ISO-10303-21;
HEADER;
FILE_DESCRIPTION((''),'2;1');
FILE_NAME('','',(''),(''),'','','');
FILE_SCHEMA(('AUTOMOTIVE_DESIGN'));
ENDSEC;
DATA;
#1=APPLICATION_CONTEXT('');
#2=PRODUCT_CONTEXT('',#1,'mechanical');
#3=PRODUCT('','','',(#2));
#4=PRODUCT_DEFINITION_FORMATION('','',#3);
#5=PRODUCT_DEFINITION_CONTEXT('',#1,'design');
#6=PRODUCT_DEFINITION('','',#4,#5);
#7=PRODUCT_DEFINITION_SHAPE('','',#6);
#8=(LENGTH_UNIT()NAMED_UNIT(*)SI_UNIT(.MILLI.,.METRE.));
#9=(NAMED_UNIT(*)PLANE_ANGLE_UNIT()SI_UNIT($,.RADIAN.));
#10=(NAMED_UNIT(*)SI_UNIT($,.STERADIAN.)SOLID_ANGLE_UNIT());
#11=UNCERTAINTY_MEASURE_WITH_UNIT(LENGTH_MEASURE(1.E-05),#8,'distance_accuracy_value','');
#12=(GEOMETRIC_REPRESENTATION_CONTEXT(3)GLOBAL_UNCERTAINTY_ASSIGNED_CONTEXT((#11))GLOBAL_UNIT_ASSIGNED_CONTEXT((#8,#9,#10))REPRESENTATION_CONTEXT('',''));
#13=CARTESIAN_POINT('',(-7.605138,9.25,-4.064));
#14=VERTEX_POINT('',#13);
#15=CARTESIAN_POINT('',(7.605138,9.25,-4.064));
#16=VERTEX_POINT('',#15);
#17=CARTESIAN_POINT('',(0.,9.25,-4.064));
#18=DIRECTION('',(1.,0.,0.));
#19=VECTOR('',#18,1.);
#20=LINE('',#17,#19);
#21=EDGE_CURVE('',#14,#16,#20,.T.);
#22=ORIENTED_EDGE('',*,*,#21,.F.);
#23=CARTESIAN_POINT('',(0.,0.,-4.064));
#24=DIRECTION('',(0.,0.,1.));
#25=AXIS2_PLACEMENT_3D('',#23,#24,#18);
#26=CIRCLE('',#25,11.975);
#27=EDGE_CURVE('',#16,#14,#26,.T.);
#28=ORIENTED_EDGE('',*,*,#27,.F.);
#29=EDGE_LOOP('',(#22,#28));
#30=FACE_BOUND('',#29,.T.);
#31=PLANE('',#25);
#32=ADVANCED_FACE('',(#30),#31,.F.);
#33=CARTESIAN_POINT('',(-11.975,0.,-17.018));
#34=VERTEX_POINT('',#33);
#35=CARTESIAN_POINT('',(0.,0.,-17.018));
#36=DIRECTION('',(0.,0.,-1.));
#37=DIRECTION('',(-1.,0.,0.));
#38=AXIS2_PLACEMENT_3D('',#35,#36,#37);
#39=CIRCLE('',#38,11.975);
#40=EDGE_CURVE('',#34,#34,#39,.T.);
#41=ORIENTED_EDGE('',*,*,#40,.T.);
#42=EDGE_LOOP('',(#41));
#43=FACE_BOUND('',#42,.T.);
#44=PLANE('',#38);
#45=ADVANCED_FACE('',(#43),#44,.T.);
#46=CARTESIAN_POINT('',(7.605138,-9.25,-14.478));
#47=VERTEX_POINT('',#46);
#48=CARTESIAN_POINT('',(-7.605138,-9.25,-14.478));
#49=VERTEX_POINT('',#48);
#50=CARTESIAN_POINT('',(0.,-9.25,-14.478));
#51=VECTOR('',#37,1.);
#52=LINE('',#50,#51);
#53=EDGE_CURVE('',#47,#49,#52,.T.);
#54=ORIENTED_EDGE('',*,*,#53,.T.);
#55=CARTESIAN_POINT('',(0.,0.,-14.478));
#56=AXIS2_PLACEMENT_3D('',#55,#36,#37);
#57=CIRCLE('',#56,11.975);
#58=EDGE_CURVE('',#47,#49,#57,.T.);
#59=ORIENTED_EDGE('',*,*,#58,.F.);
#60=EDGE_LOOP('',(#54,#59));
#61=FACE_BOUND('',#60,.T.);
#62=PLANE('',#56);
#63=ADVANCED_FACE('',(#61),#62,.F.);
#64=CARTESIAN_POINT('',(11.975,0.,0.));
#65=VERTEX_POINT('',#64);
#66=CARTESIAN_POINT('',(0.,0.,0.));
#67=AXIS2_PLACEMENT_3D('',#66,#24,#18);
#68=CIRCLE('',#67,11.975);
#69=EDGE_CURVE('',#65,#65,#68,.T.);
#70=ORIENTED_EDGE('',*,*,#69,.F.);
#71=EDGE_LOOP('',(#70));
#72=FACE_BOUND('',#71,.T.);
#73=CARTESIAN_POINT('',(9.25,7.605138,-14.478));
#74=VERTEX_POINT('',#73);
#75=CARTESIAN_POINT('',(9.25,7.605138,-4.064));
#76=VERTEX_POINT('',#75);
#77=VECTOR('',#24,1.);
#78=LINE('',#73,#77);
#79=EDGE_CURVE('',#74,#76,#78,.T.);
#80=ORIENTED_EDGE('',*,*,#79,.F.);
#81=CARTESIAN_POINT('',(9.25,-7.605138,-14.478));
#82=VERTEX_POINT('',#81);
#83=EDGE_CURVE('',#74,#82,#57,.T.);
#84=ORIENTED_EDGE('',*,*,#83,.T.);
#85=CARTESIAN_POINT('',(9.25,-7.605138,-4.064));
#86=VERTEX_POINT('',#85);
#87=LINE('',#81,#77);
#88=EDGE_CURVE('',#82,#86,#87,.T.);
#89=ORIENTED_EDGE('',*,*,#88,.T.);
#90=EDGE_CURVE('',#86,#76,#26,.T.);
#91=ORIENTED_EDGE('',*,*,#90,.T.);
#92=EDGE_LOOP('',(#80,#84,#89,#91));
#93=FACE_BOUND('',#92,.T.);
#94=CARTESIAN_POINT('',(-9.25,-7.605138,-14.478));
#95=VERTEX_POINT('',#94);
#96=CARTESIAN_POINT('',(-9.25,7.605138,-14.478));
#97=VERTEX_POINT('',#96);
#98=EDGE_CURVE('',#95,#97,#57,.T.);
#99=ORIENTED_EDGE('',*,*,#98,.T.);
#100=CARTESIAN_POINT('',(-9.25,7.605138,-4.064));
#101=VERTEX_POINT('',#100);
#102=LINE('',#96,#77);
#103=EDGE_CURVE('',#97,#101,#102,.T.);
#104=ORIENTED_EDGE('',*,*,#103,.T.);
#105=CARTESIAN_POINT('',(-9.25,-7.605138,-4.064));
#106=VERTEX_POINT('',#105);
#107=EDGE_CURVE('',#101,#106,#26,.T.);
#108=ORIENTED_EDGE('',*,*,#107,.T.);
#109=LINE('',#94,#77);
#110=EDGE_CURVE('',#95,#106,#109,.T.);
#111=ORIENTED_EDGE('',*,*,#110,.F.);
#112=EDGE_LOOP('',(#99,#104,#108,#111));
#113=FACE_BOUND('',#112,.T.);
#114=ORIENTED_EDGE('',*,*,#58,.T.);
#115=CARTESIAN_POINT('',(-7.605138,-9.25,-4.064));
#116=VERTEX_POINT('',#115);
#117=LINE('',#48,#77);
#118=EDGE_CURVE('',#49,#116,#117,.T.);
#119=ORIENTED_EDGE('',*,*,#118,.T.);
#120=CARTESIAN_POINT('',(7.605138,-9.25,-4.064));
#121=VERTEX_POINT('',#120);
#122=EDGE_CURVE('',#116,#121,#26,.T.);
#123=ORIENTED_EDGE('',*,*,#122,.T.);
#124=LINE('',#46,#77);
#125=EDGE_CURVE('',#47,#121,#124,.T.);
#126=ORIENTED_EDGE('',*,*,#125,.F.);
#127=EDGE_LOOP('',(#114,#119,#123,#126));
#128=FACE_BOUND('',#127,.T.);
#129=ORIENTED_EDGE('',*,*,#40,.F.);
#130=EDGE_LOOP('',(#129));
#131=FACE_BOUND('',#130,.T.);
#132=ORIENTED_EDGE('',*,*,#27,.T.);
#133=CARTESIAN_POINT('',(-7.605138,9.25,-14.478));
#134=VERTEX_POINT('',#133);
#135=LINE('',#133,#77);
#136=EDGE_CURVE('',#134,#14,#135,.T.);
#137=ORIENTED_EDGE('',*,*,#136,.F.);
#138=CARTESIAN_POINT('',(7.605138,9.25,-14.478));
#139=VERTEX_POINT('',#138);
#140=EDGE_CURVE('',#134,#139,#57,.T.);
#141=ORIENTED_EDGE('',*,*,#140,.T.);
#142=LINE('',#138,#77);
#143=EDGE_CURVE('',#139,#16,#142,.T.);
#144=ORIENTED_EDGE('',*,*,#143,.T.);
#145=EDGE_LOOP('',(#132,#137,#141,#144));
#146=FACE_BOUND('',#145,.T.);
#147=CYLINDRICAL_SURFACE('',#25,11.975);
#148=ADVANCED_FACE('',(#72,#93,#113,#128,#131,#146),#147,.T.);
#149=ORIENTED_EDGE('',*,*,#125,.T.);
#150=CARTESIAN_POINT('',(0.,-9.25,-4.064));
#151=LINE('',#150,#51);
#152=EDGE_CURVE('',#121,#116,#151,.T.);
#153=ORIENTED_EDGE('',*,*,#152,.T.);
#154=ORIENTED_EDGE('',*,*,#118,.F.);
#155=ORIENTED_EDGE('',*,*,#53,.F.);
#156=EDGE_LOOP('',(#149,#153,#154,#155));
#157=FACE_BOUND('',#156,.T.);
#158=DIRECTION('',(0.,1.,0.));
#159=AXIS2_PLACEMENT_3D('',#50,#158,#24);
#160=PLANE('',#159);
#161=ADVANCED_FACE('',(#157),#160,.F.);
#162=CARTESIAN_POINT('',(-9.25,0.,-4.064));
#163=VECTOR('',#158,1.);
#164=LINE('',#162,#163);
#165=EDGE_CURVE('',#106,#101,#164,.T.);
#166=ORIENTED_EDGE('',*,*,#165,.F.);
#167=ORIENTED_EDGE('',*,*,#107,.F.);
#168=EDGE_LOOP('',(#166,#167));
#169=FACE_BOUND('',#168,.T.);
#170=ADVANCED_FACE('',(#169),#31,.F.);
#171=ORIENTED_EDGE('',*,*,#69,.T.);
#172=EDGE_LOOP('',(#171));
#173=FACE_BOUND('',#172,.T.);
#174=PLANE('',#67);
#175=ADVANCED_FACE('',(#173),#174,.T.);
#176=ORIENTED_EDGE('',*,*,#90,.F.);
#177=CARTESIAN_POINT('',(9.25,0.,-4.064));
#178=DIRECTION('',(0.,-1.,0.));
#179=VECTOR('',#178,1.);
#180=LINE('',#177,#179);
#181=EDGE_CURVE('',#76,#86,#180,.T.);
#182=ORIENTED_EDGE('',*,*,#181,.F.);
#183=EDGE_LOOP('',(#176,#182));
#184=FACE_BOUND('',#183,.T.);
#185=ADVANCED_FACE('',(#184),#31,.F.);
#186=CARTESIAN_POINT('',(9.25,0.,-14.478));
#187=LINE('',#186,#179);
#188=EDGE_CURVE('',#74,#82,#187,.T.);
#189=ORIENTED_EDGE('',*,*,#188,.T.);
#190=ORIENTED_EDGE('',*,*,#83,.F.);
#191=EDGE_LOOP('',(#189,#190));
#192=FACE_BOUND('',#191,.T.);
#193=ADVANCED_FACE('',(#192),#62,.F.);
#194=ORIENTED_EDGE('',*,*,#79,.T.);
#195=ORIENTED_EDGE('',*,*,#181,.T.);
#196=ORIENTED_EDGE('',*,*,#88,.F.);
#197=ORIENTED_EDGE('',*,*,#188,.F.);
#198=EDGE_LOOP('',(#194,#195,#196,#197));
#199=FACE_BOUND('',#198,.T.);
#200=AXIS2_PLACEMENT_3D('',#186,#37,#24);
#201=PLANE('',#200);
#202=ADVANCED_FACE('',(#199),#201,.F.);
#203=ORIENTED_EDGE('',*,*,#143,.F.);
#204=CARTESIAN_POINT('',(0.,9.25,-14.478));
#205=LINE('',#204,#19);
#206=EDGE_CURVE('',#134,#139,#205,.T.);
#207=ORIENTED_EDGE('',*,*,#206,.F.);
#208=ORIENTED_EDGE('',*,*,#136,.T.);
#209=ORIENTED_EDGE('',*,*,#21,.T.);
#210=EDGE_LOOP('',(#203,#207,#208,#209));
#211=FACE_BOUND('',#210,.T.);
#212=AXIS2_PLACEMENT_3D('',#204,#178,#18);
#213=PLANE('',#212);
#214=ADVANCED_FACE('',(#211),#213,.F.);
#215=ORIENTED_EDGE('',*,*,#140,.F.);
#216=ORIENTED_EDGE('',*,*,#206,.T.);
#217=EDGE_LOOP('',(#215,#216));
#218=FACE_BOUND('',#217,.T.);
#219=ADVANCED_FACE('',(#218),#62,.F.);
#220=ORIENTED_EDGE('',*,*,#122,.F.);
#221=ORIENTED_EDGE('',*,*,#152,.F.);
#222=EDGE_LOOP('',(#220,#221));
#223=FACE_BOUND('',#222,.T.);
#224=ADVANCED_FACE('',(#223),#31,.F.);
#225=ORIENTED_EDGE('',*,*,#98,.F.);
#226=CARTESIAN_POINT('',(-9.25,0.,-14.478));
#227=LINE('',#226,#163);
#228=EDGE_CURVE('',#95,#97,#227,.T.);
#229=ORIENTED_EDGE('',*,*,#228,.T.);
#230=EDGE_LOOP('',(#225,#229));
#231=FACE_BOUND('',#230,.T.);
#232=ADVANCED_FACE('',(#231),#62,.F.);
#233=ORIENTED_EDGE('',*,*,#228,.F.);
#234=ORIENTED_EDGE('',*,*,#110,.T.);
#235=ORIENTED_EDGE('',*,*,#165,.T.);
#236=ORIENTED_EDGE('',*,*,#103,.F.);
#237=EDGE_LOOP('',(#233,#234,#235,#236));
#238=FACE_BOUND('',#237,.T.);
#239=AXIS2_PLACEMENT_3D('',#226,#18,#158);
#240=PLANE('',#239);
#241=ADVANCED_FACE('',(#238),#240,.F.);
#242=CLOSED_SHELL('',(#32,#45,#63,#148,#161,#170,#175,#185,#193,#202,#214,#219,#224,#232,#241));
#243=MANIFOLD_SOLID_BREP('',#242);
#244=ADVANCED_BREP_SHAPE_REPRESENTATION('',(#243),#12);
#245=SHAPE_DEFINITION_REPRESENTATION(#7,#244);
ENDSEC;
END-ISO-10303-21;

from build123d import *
from build123d.topology import SkipClean

# Parameters (mm, degrees)
SKETCH1_R           = 11.975000032
BOSS_EXTRUDE1_DEPTH = 4.064
BOSS_EXTRUDE2_DEPTH = 10.414
SKETCH3_R           = 11.975000032
BOSS_EXTRUDE3_DEPTH = 2.54


with BuildPart() as part:
    # Sketch1 → Boss-Extrude1 (new body)
    with BuildSketch(Plane.XY):
        Circle(SKETCH1_R)
    extrude(amount=-BOSS_EXTRUDE1_DEPTH)

    # Sketch2 → Boss-Extrude2 (add)
    with SkipClean():  # the faces are left unmerged after this step: merging them gives an invalid solid
        with BuildSketch(Plane(origin=(0, 0, -4.064), x_dir=(-1, 0, 0), z_dir=(0, 0, -1))):
            with BuildLine():
                ThreePointArc((9.250000032, 7.605138077), (8.467603727, 8.467603727), (7.605138077, 9.250000032))
                Line((7.605138077, 9.250000032), (-7.605138077, 9.250000032))
                ThreePointArc((-7.605138077, 9.250000032), (-8.467603727, 8.467603727), (-9.250000032, 7.605138077))
                Line((-9.250000032, 7.605138077), (-9.250000032, -7.605138077))
                ThreePointArc((-9.250000032, -7.605138077), (-8.467603727, -8.467603727), (-7.605138077, -9.250000032))
                Line((-7.605138077, -9.250000032), (7.605138077, -9.250000032))
                ThreePointArc((7.605138077, -9.250000032), (8.467603727, -8.467603727), (9.250000032, -7.605138077))
                Line((9.250000032, -7.605138077), (9.250000032, 7.605138077))
            make_face()
        extrude(amount=BOSS_EXTRUDE2_DEPTH)

    # Sketch3 → Boss-Extrude3 (add)
    with BuildSketch(Plane(origin=(0, 0, -14.478), x_dir=(-1, 0, 0), z_dir=(0, 0, -1))):
        Circle(SKETCH3_R)
    extrude(amount=BOSS_EXTRUDE3_DEPTH)


solid = part.part
